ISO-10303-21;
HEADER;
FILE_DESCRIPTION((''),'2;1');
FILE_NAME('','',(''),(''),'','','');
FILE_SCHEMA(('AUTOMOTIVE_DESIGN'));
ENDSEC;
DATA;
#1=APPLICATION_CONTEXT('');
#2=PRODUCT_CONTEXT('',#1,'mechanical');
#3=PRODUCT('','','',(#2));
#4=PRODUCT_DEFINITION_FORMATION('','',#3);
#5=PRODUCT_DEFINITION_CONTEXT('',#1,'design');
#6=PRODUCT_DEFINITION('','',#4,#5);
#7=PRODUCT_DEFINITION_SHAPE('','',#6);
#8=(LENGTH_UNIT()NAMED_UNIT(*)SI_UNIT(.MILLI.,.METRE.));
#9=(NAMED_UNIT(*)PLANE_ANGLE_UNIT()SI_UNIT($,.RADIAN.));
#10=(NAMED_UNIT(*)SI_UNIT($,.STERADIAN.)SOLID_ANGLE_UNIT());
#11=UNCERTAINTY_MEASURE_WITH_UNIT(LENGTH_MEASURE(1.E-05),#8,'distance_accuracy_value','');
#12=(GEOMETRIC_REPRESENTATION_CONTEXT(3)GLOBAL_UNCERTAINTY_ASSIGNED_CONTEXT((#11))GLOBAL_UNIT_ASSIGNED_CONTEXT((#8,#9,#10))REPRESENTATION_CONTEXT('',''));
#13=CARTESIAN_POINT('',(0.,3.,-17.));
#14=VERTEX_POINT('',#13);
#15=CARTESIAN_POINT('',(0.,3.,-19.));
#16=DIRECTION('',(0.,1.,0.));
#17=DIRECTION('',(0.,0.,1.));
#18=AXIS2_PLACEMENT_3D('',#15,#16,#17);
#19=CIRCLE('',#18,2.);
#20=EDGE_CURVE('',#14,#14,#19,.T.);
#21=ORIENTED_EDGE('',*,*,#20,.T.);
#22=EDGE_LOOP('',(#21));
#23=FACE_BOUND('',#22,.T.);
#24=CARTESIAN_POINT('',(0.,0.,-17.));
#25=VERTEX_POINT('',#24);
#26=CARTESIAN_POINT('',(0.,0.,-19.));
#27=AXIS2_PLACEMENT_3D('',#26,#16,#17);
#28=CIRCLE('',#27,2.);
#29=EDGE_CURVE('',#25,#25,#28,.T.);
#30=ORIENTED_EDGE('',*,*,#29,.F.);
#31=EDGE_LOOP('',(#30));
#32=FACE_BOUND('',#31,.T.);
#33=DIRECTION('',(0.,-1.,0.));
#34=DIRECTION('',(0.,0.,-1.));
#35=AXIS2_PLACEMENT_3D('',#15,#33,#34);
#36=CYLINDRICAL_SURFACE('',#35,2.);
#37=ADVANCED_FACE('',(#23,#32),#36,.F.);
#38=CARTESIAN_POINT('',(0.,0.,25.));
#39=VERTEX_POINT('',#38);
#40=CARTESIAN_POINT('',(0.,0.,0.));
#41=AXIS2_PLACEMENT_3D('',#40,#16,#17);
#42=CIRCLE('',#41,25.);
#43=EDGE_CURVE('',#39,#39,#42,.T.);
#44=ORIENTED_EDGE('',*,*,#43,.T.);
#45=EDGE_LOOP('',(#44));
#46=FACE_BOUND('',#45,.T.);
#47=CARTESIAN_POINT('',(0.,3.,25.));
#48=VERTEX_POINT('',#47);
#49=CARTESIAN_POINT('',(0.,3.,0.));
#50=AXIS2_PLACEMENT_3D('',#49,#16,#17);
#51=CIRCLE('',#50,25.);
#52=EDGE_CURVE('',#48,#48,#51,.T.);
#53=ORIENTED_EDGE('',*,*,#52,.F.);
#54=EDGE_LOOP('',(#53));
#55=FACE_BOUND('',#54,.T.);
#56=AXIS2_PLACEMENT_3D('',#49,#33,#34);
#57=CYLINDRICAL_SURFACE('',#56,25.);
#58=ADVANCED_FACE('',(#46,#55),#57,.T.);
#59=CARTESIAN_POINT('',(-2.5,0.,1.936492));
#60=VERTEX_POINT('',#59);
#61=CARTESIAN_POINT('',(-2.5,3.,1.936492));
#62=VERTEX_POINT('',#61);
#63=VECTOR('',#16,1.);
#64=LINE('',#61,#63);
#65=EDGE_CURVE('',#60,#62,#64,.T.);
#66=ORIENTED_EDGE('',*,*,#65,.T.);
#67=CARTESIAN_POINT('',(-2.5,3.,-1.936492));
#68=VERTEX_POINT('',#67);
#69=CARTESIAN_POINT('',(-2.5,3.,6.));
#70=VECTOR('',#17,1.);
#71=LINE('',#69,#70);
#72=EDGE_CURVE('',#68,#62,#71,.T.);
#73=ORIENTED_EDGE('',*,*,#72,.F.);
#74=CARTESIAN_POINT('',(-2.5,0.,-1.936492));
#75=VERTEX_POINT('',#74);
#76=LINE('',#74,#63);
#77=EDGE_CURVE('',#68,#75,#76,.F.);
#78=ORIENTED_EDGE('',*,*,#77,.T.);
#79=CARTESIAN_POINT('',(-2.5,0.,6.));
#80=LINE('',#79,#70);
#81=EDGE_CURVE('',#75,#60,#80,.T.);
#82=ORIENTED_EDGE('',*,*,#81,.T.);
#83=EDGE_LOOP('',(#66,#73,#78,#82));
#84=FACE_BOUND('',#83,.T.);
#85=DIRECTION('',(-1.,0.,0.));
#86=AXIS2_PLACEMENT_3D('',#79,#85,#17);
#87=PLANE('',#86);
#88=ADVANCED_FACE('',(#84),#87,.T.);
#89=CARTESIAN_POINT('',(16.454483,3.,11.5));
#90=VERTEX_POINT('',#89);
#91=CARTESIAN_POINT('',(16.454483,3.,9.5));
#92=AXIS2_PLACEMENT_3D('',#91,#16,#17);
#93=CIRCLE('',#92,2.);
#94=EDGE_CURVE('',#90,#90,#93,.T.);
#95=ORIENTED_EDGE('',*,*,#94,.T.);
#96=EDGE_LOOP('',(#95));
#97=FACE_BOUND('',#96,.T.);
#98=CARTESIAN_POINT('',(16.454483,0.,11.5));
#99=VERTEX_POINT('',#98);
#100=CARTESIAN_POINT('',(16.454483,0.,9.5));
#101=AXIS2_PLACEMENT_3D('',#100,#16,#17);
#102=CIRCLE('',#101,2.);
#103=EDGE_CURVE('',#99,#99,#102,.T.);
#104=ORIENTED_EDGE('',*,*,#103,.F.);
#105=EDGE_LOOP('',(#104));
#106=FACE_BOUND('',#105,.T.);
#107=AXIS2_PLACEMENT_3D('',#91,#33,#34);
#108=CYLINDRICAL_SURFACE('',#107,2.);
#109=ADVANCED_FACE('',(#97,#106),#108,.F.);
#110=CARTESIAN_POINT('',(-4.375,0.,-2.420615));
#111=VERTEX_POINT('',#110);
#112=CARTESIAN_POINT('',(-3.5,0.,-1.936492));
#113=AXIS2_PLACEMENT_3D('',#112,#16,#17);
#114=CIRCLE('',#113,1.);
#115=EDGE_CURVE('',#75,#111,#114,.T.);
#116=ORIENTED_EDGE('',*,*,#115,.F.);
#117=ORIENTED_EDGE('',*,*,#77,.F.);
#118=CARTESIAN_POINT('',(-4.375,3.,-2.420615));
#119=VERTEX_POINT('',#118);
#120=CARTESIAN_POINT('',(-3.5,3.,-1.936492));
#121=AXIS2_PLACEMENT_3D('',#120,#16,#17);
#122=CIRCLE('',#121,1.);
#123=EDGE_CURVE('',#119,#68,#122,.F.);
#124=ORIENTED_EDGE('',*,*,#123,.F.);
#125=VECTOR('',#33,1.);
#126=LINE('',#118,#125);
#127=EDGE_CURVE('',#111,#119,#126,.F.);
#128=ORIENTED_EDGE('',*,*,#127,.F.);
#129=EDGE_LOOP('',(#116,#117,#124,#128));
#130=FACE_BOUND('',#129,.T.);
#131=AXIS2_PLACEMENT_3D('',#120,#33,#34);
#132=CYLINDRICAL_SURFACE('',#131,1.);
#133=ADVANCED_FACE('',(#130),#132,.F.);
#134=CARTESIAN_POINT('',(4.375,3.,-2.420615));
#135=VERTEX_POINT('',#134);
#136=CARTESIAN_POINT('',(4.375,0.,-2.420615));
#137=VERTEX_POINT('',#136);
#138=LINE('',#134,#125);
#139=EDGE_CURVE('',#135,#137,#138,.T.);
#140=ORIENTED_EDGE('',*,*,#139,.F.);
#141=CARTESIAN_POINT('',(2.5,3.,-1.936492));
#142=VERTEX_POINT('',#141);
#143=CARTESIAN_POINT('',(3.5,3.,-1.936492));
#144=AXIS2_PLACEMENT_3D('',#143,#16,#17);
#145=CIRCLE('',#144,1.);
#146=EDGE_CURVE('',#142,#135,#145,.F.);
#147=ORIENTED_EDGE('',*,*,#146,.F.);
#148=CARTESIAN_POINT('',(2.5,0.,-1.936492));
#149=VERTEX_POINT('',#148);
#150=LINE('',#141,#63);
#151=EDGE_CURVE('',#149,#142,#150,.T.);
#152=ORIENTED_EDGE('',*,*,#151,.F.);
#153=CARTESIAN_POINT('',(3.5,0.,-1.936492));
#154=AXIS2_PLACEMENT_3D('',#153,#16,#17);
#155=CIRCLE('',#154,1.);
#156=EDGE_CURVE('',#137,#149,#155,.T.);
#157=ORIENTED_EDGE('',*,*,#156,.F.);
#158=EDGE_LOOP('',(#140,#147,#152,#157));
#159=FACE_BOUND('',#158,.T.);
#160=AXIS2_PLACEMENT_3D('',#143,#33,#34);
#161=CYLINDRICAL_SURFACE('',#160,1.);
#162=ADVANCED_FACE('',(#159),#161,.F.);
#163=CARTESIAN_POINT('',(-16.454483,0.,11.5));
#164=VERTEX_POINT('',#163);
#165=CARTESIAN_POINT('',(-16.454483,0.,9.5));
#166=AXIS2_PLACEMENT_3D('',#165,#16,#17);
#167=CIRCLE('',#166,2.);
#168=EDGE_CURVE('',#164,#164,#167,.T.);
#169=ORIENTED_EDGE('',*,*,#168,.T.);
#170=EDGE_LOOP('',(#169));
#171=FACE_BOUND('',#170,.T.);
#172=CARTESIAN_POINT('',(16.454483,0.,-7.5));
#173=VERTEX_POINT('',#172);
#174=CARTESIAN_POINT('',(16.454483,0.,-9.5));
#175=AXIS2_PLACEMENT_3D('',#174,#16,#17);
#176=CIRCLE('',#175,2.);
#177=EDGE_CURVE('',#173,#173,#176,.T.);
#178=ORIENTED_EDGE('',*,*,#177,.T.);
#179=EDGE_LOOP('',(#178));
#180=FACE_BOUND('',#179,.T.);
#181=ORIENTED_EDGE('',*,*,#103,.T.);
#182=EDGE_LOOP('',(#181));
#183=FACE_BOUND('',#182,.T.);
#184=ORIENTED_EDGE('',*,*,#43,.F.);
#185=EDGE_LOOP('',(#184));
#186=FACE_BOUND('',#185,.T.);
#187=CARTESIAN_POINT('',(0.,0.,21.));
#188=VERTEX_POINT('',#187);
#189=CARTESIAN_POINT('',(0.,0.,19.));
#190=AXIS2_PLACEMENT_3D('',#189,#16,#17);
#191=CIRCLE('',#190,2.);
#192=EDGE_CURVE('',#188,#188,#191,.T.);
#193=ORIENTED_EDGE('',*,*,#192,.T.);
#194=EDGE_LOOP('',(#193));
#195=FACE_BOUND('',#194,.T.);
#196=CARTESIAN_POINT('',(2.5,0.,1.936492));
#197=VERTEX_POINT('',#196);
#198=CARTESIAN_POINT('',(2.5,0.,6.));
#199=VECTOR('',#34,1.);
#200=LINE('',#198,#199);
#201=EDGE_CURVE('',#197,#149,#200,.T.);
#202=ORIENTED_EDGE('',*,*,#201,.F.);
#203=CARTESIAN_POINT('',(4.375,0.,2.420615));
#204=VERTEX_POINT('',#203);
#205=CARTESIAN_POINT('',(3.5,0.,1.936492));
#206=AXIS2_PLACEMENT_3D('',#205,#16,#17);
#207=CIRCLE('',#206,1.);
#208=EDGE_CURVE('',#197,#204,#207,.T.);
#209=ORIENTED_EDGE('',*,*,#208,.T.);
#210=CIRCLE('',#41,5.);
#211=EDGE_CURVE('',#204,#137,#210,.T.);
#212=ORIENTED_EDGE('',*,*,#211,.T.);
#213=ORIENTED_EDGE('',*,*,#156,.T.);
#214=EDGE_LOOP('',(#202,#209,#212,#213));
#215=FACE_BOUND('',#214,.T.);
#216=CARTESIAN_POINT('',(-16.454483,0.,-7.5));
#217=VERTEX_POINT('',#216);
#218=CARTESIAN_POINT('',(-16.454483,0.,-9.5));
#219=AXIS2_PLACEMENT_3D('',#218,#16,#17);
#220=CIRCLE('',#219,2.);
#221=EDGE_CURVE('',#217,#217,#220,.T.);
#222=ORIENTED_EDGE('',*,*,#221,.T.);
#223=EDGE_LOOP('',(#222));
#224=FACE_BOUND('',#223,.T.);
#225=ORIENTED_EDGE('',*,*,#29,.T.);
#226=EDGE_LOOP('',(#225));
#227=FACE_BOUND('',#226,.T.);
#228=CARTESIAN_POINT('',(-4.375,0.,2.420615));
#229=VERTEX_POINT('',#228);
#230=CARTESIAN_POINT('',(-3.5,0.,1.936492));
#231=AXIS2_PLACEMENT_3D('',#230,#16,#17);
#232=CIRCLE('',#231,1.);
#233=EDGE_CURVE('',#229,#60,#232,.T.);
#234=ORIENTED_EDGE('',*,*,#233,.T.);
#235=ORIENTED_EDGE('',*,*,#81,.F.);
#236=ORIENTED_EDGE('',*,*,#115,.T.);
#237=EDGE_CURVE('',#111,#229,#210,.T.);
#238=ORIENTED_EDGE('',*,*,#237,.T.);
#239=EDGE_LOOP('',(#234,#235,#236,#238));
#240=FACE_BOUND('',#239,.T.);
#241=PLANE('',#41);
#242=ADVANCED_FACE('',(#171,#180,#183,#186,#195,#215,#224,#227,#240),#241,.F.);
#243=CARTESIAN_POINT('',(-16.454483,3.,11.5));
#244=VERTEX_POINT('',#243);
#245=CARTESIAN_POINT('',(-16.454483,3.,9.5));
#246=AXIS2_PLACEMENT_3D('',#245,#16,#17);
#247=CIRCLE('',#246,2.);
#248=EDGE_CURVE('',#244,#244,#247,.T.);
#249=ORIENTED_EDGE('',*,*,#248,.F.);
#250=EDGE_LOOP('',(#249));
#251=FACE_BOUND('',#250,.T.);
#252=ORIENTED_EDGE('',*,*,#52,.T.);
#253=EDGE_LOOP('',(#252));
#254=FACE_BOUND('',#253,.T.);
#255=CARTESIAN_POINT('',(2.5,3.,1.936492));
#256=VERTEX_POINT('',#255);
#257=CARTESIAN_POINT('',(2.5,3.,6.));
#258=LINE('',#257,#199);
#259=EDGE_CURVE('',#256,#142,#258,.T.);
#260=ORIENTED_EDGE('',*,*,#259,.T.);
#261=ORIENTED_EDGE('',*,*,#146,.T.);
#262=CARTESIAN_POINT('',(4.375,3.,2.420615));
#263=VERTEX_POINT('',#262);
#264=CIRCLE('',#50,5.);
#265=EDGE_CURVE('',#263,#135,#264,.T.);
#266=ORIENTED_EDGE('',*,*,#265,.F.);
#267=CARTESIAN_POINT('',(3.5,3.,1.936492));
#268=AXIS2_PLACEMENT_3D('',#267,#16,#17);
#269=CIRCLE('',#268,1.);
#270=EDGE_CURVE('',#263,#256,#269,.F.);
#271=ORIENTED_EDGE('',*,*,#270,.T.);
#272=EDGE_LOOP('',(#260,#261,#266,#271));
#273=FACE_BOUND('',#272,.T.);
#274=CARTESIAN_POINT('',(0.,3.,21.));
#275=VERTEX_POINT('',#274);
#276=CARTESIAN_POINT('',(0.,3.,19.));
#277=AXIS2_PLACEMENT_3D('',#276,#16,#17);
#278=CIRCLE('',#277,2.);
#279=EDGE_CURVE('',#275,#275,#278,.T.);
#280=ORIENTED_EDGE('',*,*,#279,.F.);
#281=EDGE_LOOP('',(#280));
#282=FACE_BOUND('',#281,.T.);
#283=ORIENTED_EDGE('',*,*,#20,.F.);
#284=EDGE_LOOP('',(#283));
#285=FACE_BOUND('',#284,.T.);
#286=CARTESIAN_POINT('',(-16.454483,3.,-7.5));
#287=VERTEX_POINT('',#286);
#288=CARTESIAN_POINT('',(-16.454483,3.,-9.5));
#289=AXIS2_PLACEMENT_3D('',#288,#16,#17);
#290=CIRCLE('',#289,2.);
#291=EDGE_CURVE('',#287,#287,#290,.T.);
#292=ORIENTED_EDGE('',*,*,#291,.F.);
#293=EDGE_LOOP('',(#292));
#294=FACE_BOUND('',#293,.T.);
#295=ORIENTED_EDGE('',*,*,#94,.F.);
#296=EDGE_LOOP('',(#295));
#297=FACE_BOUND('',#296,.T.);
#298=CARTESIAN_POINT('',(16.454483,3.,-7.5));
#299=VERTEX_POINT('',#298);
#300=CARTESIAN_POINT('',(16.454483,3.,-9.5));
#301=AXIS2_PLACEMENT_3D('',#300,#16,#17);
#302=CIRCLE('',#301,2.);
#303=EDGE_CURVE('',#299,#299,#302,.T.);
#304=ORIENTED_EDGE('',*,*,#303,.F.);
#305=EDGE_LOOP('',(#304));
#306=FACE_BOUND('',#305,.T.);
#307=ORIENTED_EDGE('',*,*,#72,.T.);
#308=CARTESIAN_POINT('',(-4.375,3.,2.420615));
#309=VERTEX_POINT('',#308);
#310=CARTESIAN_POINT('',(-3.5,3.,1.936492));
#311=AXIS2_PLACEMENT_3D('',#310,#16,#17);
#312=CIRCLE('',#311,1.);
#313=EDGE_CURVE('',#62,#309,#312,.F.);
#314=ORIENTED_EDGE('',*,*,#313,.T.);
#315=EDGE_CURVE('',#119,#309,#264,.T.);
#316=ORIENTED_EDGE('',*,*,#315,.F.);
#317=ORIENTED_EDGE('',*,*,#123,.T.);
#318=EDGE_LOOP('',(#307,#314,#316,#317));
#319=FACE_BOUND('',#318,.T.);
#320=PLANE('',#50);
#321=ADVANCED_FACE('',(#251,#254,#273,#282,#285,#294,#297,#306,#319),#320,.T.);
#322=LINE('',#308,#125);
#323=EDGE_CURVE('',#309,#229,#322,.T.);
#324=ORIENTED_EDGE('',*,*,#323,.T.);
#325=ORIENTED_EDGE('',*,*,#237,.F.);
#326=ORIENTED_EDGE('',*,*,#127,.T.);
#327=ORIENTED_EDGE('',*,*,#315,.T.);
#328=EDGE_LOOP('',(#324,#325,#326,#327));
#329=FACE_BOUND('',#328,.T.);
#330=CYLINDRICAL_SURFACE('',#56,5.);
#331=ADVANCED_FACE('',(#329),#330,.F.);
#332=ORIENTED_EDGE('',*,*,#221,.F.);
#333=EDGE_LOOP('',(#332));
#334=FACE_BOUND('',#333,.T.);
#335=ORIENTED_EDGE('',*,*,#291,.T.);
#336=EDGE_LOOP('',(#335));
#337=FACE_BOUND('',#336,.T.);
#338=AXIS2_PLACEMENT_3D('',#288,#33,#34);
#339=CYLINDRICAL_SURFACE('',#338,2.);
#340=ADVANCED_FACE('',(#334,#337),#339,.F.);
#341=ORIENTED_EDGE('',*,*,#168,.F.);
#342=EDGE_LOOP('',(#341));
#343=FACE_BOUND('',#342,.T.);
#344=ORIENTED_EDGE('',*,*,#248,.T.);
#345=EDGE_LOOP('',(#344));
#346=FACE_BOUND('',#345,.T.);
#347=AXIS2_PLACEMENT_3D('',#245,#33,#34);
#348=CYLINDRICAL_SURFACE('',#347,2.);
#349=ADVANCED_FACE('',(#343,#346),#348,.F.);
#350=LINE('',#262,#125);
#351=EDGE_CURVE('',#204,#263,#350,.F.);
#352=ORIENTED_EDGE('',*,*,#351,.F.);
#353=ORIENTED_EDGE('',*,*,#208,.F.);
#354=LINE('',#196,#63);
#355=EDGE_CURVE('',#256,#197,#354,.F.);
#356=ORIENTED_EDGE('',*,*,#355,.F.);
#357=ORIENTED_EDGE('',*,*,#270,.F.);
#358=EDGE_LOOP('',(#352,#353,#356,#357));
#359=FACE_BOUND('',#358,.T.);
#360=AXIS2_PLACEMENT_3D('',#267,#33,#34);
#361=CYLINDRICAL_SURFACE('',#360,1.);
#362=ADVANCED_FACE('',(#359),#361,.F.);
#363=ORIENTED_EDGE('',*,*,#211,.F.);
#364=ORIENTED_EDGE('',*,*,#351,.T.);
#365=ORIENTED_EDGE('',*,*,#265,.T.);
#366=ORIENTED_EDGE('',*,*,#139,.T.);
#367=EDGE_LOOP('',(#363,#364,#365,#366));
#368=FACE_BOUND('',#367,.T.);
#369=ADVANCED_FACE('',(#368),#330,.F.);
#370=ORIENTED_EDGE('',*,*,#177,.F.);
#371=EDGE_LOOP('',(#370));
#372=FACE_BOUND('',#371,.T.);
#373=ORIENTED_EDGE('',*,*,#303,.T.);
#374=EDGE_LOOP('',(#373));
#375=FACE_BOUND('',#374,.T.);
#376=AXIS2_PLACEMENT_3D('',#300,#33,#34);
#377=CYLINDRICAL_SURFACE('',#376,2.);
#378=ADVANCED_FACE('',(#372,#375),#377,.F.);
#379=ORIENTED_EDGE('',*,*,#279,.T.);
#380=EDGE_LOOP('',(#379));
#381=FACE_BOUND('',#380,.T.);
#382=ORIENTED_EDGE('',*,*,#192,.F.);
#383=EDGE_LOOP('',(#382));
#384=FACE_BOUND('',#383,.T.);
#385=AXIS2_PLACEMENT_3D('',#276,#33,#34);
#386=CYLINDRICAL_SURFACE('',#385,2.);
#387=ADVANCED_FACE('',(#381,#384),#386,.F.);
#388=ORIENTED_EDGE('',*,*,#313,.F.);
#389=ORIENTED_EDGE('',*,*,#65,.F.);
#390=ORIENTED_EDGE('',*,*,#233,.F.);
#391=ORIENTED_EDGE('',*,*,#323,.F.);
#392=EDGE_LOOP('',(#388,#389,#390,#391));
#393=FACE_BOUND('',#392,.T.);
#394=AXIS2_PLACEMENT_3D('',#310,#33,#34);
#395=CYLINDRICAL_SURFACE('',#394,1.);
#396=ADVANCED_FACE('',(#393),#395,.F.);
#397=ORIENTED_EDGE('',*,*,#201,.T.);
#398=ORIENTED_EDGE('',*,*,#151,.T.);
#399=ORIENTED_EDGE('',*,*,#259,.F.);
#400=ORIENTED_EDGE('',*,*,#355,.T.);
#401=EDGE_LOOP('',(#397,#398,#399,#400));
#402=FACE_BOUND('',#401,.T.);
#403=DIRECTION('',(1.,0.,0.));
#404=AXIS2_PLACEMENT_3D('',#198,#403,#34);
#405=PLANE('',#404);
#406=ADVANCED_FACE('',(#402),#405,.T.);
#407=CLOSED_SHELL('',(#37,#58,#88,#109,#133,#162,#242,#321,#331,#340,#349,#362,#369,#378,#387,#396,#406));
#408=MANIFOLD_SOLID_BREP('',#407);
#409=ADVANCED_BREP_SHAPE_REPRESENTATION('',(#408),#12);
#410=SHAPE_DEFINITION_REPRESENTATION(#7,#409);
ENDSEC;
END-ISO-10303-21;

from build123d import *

# Parameters (mm, degrees)
SKETCH_1_R      = 25
SKETCH_1_R_2    = 2
SKETCH_1_R_3    = 5
EXTRUDE_1_DEPTH = 3
SKETCH_2_W      = 5
SKETCH_2_H      = 12
EXTRUDE_2_DEPTH = 3
FILLET_1_R      = 1


with BuildPart() as part:
    # 草图1 → 凸台-拉伸1 (new body)
    with BuildSketch(Plane(origin=(0, 0, 0), x_dir=(1, 0, 0), z_dir=(0, 1, 0))):
        with Locations(Location((0, 0, 0), (0, 0, 270))):
            Circle(SKETCH_1_R)
        with Locations(Location((0, 19, 0), (0, 0, 270))):
            Circle(SKETCH_1_R_2, mode=Mode.SUBTRACT)
        with Locations(Location((16.454482672, 9.5, 0), (0, 0, 270))):
            Circle(SKETCH_1_R_2, mode=Mode.SUBTRACT)
        with Locations(Location((16.454482672, -9.5, 0), (0, 0, 270))):
            Circle(SKETCH_1_R_2, mode=Mode.SUBTRACT)
        with Locations(Location((0, -19, 0), (0, 0, 270))):
            Circle(SKETCH_1_R_2, mode=Mode.SUBTRACT)
        with Locations(Location((-16.454482672, -9.5, 0), (0, 0, 270))):
            Circle(SKETCH_1_R_2, mode=Mode.SUBTRACT)
        with Locations(Location((-16.454482672, 9.5, 0), (0, 0, 270))):
            Circle(SKETCH_1_R_2, mode=Mode.SUBTRACT)
        with Locations(Location((0, 0, 0), (0, 0, 270))):
            Circle(SKETCH_1_R_3, mode=Mode.SUBTRACT)
    extrude(amount=EXTRUDE_1_DEPTH)

    # 草图2 → 凸台-拉伸2 (add)
    with BuildSketch(Plane(origin=(0, 3, 0), x_dir=(1, 0, 0), z_dir=(0, 1, 0))):
        Rectangle(SKETCH_2_W, SKETCH_2_H)
    extrude(amount=-EXTRUDE_2_DEPTH)

    # 圆角1
    fillet_1_edges = [part.edges().sort_by_distance(p)[0] for p in [
        (-2.5, 1.5, 4.330127019),
        (-2.5, 1.5, -4.330127019),
        (2.5, 1.5, -4.330127019),
        (2.5, 1.5, 4.330127019),
    ]]
    fillet(fillet_1_edges, radius=FILLET_1_R)


solid = part.part
